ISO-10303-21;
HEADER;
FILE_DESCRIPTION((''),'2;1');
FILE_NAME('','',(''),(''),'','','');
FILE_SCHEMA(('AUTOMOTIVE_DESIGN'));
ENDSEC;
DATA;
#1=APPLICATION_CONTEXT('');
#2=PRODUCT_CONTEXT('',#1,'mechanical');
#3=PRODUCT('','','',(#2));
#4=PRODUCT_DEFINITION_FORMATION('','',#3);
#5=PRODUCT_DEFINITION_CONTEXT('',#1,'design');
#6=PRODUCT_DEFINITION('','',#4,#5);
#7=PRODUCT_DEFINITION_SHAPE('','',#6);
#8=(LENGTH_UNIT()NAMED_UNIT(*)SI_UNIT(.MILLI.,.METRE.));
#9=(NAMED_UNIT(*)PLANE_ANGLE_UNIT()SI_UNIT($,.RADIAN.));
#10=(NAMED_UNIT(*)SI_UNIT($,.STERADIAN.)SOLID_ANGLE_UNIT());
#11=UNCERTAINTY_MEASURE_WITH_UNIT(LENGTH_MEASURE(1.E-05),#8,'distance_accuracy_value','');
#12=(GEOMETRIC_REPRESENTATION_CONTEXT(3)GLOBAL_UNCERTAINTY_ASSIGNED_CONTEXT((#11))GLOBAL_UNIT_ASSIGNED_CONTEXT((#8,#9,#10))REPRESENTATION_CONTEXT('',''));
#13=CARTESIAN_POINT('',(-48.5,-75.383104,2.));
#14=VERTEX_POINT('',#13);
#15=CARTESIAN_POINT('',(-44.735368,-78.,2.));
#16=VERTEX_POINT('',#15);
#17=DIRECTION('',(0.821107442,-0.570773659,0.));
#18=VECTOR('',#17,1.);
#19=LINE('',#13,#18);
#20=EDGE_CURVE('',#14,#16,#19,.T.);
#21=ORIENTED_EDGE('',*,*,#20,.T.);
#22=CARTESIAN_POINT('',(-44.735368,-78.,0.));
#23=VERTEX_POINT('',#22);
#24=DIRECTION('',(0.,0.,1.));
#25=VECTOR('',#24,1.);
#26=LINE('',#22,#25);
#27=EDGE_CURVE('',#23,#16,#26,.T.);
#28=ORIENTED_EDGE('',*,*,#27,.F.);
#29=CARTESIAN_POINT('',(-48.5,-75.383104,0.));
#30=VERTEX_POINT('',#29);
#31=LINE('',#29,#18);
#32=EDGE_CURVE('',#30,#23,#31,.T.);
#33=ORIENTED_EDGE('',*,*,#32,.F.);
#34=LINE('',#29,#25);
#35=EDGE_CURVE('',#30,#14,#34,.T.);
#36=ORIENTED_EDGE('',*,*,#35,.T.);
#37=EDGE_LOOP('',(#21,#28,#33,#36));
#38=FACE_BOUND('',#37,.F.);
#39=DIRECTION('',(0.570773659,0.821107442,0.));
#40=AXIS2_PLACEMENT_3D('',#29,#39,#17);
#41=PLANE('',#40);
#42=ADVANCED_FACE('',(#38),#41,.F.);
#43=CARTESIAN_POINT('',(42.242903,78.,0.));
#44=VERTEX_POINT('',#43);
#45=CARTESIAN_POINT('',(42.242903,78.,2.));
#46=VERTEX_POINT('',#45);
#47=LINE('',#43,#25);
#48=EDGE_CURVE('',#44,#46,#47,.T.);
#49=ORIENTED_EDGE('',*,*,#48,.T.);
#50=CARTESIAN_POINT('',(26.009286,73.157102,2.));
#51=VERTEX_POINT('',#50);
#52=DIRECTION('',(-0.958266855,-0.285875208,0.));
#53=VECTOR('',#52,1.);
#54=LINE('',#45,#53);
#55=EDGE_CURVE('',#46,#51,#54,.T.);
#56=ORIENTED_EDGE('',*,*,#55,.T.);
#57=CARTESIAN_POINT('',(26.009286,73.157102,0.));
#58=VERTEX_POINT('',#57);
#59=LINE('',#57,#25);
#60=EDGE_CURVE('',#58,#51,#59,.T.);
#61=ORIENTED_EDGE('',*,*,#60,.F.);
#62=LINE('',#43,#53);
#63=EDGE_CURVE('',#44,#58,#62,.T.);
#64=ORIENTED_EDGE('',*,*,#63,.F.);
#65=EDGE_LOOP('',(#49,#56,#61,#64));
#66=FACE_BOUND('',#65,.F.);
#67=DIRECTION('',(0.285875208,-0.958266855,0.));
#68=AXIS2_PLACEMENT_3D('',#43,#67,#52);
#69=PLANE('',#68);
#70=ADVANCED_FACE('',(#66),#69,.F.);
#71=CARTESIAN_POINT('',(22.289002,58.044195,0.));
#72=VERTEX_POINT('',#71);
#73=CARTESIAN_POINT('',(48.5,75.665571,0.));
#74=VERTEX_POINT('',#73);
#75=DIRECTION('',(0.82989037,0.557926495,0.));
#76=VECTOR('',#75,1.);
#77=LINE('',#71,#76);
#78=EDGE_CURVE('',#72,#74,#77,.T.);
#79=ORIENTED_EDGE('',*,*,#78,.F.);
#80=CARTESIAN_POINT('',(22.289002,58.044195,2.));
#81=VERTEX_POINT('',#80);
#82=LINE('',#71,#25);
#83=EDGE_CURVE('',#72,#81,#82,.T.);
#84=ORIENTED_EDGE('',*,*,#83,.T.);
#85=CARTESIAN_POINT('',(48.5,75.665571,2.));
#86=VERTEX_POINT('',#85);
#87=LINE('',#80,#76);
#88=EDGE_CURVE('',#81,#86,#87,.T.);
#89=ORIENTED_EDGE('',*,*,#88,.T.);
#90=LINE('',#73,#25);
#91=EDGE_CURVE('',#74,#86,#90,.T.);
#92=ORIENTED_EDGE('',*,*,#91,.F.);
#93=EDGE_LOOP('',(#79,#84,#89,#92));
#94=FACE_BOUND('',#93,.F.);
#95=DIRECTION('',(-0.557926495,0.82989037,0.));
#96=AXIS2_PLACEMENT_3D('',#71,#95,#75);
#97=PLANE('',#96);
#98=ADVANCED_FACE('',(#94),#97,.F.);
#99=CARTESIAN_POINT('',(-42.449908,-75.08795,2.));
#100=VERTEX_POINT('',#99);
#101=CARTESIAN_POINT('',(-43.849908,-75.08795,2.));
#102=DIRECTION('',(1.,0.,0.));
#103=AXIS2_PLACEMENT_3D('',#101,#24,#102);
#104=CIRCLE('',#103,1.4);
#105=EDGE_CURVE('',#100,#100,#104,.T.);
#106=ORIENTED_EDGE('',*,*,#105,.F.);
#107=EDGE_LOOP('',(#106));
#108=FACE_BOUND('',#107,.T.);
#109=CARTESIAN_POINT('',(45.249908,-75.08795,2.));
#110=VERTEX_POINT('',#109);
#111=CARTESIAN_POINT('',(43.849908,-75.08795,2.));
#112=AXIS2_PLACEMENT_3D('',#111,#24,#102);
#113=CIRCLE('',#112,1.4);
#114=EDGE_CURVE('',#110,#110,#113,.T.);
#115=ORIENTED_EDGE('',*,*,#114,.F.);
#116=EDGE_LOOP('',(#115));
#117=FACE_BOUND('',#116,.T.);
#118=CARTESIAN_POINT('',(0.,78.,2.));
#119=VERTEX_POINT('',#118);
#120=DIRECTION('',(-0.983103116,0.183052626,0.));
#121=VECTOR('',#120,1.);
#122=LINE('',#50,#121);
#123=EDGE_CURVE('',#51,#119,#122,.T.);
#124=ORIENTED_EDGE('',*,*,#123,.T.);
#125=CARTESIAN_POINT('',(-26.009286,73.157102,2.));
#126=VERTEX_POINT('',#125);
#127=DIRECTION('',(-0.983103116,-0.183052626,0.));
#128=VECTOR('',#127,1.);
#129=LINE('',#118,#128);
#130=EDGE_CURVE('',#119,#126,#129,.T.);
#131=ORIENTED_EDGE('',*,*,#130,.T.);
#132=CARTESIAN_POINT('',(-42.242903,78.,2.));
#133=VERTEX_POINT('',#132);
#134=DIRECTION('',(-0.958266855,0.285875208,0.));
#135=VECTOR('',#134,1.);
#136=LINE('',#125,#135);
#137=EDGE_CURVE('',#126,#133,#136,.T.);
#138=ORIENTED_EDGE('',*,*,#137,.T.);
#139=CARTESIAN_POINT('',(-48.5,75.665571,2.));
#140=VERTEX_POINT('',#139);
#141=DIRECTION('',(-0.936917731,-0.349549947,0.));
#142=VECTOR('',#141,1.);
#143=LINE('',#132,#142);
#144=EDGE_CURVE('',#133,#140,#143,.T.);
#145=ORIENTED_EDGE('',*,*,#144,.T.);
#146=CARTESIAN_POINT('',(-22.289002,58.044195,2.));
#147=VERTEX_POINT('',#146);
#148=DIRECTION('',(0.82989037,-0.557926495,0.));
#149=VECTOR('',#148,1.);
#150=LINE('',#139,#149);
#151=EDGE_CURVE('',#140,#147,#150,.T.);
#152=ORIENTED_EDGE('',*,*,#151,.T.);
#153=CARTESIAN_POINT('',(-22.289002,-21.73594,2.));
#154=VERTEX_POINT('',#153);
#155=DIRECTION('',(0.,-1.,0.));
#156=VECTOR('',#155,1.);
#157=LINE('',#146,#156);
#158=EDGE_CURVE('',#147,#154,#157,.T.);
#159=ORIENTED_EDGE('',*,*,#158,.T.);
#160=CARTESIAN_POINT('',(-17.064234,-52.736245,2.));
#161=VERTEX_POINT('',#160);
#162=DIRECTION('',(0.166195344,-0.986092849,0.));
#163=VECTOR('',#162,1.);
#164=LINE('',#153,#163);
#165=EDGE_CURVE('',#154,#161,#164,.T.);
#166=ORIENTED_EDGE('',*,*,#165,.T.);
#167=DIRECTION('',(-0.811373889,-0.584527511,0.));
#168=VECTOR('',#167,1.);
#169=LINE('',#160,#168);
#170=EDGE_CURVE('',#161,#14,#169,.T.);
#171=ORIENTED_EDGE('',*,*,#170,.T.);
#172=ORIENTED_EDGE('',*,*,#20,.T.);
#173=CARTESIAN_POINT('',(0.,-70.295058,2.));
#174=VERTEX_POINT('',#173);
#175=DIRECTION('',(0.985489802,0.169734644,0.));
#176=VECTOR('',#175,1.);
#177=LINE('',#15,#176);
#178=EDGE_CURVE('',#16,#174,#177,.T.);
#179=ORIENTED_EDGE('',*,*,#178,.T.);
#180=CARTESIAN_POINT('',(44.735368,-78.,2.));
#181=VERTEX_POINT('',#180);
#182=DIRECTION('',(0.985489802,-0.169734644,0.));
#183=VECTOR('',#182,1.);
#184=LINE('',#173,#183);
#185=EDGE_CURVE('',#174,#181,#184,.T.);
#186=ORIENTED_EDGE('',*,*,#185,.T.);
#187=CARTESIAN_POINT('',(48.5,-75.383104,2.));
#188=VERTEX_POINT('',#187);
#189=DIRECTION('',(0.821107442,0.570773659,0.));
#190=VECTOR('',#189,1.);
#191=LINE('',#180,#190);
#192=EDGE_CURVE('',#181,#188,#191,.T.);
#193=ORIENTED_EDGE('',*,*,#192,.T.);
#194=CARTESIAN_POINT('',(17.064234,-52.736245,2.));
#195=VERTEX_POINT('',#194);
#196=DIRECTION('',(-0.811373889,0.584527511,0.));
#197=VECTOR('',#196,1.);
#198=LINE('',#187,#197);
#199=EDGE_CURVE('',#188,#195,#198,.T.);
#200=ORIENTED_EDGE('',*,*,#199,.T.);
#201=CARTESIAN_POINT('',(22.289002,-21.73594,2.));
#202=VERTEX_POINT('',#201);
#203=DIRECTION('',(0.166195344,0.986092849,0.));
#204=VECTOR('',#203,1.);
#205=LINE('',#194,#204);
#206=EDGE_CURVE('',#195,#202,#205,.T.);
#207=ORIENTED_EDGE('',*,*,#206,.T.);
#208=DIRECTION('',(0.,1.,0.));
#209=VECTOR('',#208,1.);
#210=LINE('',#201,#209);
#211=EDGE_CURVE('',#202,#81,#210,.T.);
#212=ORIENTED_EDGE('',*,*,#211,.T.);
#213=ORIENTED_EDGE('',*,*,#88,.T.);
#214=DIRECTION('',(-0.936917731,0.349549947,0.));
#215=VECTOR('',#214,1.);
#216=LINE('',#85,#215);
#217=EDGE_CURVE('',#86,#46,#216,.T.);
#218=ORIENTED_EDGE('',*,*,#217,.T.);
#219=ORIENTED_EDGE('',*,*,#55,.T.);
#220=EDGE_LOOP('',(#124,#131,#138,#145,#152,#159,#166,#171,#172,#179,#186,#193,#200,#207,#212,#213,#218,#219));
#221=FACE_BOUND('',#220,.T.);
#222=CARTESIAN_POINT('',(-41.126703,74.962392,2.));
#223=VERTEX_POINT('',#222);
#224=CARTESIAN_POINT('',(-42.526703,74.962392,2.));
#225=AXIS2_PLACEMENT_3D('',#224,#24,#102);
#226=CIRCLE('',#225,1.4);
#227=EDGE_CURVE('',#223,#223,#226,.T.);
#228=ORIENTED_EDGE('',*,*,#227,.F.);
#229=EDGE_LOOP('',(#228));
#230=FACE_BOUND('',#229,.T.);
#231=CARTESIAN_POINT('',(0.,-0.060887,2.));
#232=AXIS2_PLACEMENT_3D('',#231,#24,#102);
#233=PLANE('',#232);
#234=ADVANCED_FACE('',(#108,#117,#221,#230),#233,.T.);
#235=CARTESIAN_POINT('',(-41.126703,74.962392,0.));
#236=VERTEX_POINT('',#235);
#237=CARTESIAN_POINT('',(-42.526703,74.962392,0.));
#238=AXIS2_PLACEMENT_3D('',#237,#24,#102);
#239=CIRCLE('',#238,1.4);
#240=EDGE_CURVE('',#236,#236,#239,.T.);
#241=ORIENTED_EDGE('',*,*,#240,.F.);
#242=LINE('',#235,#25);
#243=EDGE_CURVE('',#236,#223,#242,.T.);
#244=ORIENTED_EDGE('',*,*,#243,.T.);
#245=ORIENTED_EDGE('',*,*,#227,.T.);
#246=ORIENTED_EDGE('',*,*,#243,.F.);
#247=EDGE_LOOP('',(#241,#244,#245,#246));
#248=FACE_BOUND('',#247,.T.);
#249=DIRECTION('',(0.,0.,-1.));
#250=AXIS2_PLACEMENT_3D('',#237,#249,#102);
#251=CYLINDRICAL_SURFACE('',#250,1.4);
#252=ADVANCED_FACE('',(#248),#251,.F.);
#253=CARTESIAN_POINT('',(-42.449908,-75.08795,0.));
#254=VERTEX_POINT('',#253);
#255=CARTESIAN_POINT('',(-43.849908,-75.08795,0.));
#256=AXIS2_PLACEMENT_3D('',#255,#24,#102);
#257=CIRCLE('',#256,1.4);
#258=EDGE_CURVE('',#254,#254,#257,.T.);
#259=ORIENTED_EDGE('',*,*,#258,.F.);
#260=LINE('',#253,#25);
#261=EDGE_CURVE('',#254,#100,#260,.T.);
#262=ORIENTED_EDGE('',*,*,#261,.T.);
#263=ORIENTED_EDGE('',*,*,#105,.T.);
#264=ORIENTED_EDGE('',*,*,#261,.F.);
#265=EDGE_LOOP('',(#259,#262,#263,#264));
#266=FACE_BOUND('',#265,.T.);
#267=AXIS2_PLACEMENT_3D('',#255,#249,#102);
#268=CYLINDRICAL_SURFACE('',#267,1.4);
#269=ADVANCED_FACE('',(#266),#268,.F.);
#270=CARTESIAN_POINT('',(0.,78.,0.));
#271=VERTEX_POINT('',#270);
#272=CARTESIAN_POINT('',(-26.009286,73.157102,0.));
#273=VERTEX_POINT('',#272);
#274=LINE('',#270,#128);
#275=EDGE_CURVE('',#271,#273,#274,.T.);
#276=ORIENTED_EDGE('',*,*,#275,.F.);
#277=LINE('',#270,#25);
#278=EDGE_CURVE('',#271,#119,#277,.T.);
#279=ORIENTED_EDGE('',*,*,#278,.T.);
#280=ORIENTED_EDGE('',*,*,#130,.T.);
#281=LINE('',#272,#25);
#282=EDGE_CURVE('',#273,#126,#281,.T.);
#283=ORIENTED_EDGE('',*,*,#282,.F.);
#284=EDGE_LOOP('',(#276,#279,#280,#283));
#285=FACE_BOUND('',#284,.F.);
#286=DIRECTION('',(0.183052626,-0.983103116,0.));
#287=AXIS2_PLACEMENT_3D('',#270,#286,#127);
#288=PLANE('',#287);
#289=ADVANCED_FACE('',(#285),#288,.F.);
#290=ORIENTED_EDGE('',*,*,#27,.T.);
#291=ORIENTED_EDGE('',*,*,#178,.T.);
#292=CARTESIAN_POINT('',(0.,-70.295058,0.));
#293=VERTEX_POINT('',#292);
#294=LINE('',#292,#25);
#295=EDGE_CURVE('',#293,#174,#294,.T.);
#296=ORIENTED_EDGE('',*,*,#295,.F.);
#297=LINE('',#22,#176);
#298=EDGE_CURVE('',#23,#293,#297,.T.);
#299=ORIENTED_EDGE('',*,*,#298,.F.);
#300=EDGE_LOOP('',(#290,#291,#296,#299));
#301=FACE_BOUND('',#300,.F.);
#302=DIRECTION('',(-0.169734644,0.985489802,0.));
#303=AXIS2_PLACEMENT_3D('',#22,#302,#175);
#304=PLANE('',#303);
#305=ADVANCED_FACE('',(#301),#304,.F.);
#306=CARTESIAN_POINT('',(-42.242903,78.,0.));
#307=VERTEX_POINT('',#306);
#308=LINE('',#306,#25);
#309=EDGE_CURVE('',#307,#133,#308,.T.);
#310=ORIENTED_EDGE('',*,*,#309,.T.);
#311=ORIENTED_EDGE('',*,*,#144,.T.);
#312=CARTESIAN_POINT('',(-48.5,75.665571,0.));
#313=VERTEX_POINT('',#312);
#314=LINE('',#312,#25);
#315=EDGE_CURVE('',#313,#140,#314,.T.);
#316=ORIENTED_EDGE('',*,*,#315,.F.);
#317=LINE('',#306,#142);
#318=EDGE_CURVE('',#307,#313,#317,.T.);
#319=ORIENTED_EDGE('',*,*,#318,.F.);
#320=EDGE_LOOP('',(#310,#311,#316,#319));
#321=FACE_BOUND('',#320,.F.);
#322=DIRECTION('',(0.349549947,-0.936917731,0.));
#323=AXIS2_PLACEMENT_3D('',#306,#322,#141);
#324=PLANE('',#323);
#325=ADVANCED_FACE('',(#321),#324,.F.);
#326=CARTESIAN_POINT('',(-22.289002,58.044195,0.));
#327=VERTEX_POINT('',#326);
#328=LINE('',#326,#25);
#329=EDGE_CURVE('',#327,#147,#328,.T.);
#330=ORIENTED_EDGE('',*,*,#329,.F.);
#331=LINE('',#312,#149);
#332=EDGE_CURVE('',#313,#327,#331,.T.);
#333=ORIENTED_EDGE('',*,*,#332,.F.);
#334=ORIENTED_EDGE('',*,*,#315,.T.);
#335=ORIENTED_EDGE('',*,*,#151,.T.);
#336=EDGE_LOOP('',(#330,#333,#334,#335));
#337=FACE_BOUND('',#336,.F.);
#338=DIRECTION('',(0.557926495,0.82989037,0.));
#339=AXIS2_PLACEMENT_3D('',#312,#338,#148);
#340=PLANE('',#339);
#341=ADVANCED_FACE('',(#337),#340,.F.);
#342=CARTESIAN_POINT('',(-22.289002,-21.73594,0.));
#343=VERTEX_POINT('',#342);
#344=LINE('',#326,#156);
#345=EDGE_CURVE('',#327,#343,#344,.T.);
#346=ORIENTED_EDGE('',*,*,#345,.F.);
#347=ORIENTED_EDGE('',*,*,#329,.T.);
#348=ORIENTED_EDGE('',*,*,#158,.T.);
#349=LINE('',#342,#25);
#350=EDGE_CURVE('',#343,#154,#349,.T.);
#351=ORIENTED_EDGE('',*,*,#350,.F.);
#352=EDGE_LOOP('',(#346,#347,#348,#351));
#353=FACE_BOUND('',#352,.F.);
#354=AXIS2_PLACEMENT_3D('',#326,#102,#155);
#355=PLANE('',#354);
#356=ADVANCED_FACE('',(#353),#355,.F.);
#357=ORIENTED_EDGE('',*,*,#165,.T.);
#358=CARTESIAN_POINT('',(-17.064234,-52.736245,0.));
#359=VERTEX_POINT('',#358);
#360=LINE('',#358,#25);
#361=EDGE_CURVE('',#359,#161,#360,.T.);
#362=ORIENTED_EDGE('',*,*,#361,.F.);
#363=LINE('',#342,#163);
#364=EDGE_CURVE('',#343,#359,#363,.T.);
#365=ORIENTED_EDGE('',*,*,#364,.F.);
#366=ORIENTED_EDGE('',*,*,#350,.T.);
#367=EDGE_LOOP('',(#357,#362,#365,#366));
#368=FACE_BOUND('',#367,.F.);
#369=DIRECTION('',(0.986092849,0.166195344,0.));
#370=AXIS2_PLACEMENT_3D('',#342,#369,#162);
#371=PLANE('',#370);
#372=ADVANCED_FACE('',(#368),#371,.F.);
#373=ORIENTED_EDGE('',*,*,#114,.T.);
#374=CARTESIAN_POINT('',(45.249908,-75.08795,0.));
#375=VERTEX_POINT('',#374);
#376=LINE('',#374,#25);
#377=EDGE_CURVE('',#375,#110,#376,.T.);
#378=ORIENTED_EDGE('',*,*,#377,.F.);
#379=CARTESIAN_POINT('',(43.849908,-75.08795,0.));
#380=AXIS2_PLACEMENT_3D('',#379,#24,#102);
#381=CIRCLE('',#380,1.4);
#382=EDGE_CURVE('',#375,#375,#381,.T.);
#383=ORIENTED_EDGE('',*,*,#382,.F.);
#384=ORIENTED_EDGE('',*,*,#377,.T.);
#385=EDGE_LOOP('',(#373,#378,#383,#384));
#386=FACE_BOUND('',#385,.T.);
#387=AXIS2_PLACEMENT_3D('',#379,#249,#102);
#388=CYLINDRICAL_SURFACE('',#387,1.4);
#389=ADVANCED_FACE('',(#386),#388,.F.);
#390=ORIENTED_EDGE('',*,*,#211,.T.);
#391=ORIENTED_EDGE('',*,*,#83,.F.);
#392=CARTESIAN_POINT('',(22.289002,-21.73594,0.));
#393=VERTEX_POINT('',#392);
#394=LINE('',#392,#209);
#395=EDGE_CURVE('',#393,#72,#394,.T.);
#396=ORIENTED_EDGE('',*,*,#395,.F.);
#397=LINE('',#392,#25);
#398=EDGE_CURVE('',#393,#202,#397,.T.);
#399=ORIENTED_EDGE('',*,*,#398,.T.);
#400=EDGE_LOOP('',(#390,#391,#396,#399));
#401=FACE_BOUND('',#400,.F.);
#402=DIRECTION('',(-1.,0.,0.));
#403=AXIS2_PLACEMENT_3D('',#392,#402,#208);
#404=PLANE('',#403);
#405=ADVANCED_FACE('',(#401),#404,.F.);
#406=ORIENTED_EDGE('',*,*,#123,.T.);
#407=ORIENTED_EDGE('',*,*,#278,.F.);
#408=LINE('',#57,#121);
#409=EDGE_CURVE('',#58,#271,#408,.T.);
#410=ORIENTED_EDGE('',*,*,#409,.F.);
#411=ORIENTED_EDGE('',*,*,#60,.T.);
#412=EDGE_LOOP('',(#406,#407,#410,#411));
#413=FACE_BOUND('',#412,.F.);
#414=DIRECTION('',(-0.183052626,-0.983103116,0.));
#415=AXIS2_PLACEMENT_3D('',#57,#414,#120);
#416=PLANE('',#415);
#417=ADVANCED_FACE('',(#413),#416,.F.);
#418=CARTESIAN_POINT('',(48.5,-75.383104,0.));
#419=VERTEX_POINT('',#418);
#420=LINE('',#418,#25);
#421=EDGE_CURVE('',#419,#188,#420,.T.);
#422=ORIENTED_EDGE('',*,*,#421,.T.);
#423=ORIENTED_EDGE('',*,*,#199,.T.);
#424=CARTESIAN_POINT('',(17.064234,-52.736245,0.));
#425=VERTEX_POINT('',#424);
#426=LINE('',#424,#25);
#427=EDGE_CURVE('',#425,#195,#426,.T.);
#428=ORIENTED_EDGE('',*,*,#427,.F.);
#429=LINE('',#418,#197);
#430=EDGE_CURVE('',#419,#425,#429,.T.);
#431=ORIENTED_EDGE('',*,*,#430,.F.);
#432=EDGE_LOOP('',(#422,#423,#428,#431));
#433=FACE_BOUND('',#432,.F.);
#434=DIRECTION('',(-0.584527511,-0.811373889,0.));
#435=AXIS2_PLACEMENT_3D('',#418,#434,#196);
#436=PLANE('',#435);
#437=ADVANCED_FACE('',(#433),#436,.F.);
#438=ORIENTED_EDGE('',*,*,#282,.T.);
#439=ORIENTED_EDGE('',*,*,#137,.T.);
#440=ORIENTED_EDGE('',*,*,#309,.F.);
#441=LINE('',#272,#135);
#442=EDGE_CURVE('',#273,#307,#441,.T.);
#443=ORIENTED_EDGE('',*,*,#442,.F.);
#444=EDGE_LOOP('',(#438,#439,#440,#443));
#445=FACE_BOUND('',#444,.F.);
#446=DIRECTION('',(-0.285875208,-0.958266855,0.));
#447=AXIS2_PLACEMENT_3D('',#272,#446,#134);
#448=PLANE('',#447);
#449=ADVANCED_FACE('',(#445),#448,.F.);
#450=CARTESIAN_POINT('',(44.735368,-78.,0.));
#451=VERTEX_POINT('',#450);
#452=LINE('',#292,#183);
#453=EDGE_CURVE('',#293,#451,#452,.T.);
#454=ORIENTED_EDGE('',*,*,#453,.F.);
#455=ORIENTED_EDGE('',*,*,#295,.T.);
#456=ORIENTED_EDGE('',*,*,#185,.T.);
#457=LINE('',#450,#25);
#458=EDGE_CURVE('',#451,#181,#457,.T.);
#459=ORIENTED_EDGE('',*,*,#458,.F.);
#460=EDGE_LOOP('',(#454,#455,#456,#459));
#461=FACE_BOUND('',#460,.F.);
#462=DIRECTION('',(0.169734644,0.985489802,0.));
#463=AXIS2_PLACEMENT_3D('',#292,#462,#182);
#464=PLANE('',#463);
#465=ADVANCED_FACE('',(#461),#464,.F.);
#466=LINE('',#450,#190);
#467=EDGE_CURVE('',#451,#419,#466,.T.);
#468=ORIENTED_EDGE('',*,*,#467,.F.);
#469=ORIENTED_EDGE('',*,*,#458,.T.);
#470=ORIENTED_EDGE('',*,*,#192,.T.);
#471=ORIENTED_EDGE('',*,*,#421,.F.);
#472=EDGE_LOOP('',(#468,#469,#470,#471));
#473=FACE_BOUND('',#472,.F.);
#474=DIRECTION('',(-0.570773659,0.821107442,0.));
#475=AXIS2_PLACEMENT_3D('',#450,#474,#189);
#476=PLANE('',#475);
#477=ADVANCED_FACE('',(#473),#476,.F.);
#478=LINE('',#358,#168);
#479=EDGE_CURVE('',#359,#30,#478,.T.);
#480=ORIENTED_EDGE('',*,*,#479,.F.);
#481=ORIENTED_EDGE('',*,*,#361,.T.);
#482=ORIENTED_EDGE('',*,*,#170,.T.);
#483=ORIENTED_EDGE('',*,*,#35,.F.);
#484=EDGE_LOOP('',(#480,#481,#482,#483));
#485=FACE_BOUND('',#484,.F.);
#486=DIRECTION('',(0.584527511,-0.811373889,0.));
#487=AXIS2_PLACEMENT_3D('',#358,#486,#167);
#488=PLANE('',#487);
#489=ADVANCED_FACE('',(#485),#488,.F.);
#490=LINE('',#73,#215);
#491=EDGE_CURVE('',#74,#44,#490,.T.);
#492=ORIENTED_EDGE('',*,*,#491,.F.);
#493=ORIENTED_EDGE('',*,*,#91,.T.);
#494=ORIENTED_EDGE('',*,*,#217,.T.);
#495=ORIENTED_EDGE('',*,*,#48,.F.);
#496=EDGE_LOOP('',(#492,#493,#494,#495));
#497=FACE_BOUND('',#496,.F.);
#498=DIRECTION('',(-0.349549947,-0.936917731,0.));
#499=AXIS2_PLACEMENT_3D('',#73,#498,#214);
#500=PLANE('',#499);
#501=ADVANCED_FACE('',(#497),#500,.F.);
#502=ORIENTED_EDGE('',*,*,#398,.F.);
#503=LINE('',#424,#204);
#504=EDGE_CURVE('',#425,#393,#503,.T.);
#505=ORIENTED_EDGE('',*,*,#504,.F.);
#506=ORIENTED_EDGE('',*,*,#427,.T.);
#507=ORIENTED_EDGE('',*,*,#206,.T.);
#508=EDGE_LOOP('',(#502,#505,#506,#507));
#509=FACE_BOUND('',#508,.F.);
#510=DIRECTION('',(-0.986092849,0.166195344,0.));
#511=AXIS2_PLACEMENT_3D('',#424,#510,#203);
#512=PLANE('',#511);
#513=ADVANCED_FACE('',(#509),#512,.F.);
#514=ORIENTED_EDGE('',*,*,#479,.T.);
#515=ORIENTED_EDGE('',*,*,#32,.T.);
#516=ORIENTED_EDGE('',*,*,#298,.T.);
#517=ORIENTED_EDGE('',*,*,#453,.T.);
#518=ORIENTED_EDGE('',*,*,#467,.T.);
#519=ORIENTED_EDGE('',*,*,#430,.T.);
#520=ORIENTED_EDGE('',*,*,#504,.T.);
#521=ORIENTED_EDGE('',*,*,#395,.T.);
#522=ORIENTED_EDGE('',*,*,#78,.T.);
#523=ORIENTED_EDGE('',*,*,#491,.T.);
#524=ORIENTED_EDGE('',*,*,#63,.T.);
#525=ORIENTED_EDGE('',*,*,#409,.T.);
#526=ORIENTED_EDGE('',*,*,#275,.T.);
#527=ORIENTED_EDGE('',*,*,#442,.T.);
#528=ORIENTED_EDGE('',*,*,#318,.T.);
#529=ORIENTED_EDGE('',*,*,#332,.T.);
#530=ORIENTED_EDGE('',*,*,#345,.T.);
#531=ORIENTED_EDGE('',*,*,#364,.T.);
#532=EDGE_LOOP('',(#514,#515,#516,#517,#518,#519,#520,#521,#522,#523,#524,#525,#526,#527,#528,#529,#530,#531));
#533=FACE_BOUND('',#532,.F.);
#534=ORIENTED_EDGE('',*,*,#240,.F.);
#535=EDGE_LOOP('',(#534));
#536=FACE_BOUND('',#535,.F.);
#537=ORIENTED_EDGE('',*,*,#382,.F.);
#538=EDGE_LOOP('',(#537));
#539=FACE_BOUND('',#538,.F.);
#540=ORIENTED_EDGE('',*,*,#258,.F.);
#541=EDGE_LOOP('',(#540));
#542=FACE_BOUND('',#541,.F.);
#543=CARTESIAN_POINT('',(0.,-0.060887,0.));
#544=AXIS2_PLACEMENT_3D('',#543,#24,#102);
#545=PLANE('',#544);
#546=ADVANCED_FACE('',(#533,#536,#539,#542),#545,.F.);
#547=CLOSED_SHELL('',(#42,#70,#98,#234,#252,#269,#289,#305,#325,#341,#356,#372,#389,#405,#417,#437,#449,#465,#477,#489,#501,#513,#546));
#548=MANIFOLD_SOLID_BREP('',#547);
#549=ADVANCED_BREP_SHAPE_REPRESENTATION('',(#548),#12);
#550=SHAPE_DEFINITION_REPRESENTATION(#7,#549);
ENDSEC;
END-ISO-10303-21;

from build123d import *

# Parameters (mm, degrees)
F0_R     = 1.4
F1_DEPTH = 2


with BuildPart() as f1:
    # F0 (on Top) → F1 (new body)
    with BuildSketch(Plane.XY):
        Polygon((26.009286, 73.157102), (0, 78), (-26.009286, 73.157102), (-42.242903, 78), (-48.5, 75.665571), (-22.289002, 58.044195), (-22.289002, -21.73594), (-17.064234, -52.736245), (-48.5, -75.383104), (-44.735368, -78), (0, -70.295058), (44.735368, -78), (48.5, -75.383104), (17.064234, -52.736245), (22.289002, -21.73594), (22.289002, 58.044195), (48.5, 75.665571), (42.242903, 78), align=None)
        with Locations((-43.849908, -75.08795)):
            Circle(F0_R, mode=Mode.SUBTRACT)
        with Locations((43.849908, -75.08795)):
            Circle(F0_R, mode=Mode.SUBTRACT)
        with Locations((-42.526703, 74.962392)):
            Circle(F0_R, mode=Mode.SUBTRACT)
    extrude(amount=F1_DEPTH)


solid = f1.part
